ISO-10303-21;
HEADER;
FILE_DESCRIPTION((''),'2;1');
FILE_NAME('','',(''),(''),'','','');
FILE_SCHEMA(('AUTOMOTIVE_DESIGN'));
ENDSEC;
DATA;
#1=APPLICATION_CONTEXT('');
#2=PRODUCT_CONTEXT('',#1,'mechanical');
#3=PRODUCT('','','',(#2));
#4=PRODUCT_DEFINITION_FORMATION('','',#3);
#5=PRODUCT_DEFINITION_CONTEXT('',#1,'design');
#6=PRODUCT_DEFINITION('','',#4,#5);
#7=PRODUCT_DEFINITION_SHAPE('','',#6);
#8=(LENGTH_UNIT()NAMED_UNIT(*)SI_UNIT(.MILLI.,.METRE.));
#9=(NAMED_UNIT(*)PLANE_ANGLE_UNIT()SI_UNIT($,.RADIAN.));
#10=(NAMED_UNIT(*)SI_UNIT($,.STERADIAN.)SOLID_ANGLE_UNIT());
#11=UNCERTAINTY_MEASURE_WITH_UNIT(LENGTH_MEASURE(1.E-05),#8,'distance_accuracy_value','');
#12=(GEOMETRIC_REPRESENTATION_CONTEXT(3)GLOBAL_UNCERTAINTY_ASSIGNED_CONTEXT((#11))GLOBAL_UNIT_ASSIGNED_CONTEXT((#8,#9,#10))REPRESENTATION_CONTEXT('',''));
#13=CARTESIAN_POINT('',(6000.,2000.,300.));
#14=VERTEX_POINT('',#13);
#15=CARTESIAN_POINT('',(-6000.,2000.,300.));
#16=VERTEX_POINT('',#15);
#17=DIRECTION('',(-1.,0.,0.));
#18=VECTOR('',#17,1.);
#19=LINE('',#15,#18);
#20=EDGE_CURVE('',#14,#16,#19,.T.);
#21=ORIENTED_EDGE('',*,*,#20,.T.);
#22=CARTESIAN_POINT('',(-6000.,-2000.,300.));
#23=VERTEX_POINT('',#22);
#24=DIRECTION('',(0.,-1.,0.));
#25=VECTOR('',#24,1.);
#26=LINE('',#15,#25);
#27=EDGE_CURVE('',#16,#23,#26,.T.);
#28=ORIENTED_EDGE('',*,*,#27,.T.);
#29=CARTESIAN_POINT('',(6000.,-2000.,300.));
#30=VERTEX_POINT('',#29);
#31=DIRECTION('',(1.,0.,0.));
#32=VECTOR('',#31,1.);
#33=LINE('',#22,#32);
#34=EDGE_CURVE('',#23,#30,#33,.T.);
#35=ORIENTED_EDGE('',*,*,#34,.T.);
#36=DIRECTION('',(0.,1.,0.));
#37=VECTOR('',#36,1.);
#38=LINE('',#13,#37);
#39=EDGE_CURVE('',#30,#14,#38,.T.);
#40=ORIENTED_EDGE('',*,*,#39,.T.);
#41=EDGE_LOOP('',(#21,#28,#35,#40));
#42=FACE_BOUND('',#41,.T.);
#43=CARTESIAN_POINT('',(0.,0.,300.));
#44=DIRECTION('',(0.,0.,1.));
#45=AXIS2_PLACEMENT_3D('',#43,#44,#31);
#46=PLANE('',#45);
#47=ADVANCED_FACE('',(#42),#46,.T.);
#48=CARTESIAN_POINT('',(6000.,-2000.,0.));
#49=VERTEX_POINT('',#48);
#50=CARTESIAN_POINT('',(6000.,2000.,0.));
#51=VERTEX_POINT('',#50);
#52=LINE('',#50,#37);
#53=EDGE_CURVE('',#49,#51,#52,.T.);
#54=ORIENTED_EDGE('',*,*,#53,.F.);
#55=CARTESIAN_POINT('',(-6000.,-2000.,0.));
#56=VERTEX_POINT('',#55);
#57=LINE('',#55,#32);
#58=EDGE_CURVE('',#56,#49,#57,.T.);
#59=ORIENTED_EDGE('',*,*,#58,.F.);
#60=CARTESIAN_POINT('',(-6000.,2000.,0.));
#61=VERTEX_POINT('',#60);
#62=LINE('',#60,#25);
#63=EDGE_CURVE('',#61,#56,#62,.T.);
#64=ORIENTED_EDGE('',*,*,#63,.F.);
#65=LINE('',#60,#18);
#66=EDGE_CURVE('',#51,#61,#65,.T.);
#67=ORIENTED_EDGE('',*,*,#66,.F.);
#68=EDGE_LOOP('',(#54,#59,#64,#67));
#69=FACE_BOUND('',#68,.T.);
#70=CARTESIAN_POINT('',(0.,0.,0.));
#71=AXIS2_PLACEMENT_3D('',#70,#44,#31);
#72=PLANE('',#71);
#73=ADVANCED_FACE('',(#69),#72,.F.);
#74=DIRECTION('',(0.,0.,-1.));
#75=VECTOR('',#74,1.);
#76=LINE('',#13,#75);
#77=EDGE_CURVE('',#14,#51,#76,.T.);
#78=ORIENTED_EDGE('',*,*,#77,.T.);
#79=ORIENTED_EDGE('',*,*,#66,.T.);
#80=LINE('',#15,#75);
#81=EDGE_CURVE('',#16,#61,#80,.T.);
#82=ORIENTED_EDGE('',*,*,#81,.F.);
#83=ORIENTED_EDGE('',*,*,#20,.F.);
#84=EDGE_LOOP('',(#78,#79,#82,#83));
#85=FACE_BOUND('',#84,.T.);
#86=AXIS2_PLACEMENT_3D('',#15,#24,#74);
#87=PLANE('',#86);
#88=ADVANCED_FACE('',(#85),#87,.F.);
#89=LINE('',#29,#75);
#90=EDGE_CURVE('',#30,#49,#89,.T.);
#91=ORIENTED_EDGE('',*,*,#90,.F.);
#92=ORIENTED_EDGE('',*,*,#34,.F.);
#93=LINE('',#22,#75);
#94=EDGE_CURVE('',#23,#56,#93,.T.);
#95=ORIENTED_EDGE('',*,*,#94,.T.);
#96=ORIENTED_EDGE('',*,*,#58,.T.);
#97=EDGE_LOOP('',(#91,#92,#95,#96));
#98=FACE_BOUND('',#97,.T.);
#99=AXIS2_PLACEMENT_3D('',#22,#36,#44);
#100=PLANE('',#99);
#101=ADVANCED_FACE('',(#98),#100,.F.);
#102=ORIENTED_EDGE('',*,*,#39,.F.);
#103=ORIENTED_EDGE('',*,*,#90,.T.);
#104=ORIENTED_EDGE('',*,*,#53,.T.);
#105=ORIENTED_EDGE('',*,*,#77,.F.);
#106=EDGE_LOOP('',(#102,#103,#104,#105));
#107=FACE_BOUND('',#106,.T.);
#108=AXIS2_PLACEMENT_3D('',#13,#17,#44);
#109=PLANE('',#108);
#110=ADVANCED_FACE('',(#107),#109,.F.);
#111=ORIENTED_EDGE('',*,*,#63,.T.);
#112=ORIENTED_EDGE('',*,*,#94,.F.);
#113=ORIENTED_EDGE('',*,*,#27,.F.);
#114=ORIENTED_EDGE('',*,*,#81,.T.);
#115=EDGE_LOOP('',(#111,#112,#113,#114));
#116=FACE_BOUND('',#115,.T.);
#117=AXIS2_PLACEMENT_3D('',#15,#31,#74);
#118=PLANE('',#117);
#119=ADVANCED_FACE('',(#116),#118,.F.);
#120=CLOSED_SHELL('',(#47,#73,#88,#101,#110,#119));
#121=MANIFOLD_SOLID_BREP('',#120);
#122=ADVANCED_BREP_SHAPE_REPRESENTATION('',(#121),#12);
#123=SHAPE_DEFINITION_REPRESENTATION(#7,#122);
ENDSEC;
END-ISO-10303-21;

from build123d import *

# Parameters (mm, degrees)
SKETCH_1_W      = 12000
SKETCH_1_H      = 4000
EXTRUDE_1_DEPTH = 300


with BuildPart() as part:
    # 草图1 → 凸台-拉伸1 (new body)
    with BuildSketch(Plane.XY):
        Rectangle(SKETCH_1_W, SKETCH_1_H)
    extrude(amount=EXTRUDE_1_DEPTH)


solid = part.part
